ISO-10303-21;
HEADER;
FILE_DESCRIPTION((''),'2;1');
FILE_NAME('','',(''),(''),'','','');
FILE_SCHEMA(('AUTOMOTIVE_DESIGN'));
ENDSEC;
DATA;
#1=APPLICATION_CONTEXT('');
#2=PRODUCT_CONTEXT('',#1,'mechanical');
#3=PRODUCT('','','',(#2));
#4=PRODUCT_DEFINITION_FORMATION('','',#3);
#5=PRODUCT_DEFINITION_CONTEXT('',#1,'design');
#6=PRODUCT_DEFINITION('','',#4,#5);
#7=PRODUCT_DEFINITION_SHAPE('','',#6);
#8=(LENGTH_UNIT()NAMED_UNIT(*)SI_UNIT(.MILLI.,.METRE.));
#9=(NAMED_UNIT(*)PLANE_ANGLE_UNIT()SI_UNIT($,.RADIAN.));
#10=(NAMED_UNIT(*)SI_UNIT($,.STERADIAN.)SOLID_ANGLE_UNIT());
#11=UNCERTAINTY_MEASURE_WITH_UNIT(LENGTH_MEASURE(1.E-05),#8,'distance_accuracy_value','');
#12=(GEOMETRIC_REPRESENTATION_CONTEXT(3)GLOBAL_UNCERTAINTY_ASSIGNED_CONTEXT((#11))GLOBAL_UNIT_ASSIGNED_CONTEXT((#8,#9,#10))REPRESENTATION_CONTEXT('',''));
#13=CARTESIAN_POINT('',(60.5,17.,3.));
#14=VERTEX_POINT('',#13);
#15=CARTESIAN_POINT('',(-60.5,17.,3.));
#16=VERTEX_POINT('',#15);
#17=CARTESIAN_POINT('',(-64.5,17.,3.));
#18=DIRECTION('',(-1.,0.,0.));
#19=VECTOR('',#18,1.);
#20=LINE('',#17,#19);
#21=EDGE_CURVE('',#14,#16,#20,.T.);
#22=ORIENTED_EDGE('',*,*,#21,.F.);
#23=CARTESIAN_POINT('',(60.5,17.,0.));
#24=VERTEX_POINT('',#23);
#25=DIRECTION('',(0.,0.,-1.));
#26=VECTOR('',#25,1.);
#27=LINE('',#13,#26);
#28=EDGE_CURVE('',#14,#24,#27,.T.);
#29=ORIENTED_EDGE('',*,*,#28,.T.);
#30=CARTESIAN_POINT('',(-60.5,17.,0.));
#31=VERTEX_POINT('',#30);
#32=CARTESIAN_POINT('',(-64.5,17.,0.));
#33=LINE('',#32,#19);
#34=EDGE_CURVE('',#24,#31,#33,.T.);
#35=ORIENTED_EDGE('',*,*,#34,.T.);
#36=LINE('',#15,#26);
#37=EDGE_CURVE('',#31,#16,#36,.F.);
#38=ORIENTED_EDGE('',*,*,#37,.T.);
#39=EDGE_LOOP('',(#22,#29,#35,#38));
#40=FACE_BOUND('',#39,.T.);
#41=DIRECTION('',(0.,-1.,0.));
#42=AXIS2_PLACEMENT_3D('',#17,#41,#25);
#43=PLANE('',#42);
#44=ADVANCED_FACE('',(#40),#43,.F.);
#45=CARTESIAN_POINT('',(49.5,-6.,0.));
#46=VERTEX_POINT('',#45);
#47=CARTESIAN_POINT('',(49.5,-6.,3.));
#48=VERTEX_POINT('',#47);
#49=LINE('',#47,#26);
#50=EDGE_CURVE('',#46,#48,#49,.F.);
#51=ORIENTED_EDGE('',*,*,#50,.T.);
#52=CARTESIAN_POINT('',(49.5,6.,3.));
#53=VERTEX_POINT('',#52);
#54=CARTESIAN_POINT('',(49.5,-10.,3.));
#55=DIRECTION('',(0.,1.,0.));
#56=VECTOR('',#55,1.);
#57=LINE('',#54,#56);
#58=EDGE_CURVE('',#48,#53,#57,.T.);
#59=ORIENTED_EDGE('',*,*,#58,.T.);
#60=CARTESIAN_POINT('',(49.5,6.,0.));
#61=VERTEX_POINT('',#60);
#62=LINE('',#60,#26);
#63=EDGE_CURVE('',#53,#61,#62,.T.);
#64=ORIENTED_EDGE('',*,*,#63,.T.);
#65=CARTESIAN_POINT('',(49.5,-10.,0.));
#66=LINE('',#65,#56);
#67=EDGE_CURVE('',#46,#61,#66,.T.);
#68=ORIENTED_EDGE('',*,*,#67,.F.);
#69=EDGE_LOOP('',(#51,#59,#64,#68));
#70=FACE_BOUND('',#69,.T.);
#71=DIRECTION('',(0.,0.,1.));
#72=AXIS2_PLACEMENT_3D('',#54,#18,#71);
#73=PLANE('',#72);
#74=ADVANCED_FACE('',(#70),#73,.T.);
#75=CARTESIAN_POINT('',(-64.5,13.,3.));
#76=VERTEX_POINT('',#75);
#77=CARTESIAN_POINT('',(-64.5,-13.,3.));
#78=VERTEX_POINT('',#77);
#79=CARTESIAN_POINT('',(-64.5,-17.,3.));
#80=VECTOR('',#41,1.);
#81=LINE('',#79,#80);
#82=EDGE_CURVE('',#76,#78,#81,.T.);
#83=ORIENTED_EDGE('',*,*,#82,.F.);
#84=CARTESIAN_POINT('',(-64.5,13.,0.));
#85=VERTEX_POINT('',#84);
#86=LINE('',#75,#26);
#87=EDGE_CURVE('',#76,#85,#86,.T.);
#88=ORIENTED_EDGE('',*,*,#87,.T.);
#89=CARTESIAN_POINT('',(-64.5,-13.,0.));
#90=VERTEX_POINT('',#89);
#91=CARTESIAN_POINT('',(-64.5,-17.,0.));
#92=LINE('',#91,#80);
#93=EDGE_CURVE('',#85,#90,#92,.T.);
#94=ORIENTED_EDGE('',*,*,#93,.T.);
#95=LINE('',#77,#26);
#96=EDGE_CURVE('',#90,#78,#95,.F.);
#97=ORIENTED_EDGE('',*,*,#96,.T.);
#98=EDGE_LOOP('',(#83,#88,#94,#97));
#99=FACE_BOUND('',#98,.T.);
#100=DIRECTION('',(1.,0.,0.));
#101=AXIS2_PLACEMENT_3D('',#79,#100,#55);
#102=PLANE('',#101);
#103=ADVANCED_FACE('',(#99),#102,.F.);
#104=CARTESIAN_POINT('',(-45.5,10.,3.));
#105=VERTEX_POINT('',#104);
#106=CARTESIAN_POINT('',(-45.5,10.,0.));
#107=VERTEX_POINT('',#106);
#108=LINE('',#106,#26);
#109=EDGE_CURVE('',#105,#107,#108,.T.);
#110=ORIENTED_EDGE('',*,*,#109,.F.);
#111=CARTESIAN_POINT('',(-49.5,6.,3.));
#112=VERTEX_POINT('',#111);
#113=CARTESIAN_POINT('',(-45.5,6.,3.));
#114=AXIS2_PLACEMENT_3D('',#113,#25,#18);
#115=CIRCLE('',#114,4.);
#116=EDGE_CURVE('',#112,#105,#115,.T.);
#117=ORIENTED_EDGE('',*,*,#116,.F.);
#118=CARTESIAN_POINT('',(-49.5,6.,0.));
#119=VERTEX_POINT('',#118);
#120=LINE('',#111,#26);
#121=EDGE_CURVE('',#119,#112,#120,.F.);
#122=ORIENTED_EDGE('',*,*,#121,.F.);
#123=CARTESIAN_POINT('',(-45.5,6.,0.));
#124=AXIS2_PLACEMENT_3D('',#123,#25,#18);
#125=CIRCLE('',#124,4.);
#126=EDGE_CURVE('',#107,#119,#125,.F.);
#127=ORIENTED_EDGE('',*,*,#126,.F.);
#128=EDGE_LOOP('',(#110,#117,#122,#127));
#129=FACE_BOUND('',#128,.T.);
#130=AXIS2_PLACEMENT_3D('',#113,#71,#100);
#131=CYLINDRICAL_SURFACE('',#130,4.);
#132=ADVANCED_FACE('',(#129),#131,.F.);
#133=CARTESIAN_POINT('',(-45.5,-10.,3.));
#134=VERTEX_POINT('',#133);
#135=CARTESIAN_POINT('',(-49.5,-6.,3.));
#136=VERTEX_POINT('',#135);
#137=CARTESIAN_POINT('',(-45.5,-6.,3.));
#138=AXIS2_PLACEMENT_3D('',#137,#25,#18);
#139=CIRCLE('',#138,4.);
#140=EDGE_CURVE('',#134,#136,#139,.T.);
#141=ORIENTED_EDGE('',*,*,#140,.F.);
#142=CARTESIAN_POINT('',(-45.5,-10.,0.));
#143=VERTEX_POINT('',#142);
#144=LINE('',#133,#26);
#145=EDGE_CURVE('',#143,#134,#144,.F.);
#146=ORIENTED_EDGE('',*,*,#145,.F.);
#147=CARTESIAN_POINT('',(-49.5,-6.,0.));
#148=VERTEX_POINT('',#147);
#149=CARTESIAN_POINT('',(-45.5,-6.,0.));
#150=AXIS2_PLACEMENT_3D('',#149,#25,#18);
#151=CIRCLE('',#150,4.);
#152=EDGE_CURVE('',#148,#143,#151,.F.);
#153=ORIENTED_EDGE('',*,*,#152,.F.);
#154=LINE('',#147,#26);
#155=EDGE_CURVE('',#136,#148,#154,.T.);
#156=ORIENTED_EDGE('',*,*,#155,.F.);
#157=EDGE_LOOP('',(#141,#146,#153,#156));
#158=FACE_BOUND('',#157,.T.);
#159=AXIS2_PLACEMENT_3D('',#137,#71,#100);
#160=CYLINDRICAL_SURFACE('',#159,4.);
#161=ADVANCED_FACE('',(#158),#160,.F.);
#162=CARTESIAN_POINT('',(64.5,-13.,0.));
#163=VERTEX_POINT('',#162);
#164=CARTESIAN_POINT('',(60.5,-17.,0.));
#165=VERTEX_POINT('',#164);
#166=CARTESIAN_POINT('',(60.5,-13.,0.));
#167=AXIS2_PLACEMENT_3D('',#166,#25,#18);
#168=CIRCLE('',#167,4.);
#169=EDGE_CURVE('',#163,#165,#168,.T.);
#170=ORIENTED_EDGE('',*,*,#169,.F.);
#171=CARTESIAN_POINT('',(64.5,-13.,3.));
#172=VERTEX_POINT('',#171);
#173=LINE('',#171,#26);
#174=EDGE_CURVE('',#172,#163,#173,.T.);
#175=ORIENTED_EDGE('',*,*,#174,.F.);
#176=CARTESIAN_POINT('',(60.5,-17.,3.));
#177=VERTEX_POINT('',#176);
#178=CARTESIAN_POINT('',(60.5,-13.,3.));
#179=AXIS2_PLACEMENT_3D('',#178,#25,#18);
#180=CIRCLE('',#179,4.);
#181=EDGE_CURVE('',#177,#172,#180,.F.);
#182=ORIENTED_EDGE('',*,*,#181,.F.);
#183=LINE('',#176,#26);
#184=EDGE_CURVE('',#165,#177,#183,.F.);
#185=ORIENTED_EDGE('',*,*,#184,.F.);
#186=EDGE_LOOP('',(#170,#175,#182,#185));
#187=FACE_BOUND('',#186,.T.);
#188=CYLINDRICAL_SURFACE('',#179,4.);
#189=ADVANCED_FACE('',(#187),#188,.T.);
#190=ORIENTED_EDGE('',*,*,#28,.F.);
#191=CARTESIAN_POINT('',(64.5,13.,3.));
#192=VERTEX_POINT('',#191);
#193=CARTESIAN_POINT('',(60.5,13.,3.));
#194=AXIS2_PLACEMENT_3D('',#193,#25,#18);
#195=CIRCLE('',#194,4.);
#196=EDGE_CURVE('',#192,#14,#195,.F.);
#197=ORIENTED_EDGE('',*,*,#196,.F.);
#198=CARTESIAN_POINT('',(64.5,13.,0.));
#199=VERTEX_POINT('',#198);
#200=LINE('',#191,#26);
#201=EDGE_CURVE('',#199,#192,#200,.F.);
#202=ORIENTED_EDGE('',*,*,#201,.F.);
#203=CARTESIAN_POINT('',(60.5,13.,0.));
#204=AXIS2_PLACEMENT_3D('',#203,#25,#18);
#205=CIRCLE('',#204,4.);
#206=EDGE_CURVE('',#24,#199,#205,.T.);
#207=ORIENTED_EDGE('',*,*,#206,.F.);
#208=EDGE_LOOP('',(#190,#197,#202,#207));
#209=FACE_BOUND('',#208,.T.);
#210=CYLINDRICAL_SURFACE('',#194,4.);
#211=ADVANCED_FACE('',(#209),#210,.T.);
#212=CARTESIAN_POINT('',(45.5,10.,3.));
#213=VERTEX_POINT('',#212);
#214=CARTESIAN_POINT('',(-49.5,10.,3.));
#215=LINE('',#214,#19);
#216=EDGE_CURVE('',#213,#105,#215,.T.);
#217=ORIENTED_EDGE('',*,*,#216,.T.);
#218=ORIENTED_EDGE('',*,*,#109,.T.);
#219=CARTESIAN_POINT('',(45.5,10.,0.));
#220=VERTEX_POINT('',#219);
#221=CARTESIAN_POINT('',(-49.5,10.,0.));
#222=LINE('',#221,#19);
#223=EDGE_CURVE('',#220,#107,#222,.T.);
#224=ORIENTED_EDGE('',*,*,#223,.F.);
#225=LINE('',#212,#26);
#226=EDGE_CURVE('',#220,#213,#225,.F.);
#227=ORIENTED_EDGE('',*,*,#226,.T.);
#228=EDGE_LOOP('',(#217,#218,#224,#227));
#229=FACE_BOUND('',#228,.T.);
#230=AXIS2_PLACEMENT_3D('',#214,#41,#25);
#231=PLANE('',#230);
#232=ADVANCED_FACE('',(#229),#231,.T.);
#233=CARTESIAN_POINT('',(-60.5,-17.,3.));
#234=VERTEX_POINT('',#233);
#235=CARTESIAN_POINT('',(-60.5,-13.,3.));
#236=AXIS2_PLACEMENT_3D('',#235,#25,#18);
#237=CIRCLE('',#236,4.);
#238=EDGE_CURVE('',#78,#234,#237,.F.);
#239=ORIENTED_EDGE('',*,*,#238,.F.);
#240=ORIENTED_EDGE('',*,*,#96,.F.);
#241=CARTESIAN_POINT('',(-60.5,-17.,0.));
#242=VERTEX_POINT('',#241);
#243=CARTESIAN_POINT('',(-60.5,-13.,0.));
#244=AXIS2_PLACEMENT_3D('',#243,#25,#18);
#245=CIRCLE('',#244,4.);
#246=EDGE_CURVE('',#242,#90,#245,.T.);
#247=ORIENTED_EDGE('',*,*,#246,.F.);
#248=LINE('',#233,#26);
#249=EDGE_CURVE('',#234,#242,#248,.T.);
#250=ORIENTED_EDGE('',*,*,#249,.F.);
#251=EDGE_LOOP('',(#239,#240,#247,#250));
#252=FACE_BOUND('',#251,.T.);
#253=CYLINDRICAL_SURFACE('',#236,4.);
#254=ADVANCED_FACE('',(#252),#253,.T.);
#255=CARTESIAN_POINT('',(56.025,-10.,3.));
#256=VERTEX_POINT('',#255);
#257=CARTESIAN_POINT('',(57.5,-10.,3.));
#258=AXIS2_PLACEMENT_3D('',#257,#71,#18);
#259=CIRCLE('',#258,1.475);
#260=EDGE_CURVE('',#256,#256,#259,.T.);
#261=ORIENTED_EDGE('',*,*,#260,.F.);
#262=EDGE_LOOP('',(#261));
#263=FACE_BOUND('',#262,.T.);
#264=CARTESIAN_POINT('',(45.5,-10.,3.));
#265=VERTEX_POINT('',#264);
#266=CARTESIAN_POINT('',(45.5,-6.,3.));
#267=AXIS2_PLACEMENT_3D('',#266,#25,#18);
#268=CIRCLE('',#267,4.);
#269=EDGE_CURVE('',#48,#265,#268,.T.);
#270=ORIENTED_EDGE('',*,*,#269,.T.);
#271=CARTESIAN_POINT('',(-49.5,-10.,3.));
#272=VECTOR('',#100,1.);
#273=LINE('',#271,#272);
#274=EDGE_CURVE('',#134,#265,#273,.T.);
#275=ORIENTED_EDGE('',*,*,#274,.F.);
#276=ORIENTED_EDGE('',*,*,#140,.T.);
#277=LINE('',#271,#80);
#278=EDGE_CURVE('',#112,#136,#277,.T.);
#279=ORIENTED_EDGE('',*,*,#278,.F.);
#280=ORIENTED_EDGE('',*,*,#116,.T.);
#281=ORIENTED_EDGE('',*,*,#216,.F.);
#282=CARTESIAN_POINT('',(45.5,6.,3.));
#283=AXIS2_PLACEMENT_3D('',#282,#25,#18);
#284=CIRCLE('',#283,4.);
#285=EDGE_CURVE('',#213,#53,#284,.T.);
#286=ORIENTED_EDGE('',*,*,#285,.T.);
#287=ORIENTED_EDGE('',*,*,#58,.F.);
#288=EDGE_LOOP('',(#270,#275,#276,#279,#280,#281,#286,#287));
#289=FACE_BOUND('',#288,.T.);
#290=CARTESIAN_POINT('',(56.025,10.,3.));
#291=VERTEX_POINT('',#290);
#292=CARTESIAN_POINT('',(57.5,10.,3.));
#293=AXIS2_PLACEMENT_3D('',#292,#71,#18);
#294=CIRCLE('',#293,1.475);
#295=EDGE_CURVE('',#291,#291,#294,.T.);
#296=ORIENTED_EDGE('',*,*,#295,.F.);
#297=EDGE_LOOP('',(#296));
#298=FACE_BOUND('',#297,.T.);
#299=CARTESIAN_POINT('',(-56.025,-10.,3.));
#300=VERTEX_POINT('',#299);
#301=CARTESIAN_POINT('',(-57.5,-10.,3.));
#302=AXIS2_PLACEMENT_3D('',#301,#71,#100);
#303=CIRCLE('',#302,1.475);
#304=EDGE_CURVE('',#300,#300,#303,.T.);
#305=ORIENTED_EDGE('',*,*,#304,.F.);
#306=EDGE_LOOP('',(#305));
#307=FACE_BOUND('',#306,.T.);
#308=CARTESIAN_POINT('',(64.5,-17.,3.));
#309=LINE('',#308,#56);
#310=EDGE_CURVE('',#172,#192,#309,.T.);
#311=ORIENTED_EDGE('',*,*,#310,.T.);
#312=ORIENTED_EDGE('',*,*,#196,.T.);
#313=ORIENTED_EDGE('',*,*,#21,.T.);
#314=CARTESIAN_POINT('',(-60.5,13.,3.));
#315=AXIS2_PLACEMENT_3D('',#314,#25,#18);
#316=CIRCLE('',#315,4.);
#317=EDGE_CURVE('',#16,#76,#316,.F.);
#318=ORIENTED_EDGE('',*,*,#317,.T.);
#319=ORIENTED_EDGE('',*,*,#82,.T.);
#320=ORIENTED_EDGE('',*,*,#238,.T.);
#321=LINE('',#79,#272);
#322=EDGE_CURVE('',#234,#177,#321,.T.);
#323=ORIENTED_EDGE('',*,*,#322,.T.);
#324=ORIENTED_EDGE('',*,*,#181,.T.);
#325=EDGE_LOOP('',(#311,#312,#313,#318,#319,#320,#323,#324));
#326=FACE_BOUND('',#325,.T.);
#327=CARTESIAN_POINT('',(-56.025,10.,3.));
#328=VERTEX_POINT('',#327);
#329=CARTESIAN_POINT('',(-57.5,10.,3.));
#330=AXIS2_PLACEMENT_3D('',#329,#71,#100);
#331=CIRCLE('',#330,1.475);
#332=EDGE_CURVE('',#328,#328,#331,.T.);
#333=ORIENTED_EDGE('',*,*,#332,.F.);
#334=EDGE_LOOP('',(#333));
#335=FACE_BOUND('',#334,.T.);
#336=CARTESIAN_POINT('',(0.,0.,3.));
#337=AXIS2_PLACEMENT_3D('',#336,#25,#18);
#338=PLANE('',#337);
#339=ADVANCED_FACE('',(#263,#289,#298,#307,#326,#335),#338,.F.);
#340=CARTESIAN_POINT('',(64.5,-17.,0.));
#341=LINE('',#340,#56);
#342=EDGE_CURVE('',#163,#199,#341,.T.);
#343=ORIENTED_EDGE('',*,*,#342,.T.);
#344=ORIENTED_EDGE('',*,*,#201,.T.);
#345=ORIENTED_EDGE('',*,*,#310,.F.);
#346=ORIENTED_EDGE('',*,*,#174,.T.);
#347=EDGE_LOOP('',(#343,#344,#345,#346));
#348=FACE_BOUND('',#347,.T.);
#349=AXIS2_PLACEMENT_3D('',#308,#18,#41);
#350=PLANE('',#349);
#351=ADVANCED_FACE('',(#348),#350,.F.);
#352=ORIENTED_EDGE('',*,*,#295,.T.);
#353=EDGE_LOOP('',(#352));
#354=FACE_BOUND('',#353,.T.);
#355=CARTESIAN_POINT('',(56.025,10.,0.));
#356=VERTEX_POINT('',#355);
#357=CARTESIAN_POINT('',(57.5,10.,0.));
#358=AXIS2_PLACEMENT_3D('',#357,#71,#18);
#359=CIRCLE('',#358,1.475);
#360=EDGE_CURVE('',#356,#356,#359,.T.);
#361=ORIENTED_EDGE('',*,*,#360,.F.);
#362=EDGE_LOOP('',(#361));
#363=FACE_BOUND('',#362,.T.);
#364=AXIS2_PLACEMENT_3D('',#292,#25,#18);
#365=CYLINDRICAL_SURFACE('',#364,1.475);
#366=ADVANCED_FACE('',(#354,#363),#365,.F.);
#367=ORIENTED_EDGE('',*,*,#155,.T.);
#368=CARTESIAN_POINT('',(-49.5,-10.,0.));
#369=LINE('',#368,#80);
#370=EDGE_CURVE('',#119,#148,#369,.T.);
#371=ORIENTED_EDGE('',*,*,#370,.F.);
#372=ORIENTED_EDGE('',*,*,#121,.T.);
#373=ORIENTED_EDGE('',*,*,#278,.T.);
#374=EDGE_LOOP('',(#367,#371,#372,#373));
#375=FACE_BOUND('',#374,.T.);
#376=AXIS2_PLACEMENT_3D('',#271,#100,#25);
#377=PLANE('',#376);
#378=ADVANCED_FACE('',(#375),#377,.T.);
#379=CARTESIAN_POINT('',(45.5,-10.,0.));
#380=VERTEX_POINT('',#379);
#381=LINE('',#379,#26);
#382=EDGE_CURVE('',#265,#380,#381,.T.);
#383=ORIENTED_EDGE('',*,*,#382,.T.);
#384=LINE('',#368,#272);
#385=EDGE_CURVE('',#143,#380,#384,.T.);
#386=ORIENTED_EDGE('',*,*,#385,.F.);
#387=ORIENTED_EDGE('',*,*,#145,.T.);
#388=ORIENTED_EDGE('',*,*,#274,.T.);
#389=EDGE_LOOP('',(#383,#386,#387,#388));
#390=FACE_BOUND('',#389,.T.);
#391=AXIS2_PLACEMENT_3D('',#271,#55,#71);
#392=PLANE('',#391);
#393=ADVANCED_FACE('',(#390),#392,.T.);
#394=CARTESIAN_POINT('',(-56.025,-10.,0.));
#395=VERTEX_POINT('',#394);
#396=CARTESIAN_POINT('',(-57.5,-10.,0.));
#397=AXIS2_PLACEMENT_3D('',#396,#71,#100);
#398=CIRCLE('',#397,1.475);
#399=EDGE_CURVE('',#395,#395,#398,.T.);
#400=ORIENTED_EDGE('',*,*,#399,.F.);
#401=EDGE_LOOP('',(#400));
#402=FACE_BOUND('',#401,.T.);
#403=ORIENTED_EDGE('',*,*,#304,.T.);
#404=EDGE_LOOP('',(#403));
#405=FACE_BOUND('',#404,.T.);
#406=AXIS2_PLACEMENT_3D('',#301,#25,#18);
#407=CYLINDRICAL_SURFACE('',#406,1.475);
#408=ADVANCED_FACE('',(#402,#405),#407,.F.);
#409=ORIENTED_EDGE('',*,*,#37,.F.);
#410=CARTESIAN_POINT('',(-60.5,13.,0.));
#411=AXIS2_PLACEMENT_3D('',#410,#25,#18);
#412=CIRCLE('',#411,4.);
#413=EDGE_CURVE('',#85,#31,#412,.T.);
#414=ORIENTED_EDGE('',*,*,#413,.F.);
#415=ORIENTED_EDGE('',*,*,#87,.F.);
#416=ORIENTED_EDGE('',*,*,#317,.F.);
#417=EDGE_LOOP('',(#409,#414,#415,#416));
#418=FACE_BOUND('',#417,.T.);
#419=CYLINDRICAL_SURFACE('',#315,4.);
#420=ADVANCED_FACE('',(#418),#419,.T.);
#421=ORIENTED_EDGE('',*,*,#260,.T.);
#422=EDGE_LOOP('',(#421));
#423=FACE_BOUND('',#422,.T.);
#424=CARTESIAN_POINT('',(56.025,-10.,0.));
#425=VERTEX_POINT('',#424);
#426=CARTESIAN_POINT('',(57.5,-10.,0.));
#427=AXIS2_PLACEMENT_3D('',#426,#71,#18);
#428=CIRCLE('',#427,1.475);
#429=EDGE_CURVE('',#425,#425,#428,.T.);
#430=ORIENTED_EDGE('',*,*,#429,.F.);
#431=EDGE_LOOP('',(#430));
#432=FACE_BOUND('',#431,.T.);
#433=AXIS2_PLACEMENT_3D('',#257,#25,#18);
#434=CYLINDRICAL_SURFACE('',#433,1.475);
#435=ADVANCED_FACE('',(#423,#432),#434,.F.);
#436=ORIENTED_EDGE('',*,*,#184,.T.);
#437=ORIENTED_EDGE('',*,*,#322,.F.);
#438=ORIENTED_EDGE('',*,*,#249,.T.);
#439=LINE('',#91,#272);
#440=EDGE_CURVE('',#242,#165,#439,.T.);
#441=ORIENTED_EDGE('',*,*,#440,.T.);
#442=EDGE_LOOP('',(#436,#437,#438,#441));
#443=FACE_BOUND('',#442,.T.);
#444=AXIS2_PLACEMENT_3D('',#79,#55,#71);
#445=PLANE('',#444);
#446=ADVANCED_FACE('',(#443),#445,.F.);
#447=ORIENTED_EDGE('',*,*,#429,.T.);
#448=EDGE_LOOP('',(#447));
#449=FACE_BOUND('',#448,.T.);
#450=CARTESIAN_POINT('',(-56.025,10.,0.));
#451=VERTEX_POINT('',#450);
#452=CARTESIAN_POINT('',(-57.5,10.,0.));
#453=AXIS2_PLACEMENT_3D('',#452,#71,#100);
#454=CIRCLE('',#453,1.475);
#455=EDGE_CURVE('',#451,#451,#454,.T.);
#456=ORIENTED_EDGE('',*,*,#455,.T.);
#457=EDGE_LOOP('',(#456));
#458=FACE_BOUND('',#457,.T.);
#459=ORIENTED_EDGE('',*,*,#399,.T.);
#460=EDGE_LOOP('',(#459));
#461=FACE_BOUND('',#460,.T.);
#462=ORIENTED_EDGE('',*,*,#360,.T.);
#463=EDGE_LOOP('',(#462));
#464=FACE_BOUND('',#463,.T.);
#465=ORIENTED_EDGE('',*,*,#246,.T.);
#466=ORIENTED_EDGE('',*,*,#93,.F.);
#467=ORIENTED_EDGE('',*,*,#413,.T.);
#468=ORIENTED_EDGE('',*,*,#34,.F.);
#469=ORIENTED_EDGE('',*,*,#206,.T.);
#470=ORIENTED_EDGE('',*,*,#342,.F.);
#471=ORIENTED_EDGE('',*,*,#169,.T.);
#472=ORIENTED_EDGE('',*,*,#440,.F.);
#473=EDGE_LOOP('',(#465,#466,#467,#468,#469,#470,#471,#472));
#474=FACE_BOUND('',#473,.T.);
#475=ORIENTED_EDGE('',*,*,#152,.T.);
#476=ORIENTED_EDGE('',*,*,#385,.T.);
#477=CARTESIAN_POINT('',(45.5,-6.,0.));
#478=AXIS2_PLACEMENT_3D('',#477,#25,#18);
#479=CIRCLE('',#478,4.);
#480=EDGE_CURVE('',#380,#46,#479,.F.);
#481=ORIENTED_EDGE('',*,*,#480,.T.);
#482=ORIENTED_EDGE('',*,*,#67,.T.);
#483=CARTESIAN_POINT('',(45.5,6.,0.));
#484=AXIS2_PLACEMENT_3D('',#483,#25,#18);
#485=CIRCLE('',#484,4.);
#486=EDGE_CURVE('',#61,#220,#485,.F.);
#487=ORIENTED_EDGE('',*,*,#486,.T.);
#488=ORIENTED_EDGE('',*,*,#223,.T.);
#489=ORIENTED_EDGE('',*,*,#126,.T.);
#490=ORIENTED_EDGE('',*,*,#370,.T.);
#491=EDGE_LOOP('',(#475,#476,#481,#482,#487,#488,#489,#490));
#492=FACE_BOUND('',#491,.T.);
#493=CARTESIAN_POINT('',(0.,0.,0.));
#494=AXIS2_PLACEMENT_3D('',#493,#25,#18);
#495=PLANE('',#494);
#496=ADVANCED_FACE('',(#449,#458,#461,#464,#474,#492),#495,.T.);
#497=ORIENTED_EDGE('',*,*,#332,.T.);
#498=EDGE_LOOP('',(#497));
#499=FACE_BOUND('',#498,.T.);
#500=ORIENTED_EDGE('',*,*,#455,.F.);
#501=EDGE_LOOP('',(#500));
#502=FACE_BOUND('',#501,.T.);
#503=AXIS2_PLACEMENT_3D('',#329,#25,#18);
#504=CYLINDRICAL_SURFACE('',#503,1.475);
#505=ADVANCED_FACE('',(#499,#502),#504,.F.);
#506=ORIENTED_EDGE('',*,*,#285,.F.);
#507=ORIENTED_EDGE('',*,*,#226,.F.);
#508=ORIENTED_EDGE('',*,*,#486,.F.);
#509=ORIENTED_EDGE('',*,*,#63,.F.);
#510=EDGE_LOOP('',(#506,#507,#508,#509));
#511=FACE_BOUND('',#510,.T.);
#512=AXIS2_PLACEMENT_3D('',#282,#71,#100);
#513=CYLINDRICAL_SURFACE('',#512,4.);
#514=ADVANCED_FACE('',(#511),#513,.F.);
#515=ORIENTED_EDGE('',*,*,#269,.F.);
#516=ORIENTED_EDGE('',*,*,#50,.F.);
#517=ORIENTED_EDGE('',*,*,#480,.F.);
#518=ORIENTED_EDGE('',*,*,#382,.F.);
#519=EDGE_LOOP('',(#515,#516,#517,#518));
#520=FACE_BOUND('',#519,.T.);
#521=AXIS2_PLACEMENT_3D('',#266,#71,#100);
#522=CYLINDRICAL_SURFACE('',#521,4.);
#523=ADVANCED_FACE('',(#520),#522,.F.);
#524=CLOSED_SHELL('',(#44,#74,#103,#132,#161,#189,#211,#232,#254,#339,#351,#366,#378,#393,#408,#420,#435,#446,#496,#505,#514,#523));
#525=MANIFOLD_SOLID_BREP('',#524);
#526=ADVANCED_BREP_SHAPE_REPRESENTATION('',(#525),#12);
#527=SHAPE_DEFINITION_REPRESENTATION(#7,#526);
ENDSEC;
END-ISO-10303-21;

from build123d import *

# Parameters (mm, degrees)
SKETCH_1_W      = 129
SKETCH_1_H      = 34
SKETCH_1_R      = 1.475
SKETCH_1_W_2    = 99
SKETCH_1_H_2    = 20
EXTRUDE_1_DEPTH = 3
FILLET_1_R      = 4


with BuildPart() as part:
    # 草图1 → 凸台-拉伸1 (new body)
    with BuildSketch(Plane.XY):
        Rectangle(SKETCH_1_W, SKETCH_1_H)
        with Locations((-57.5, 10)):
            Circle(SKETCH_1_R, mode=Mode.SUBTRACT)
        with Locations((-57.5, -10)):
            Circle(SKETCH_1_R, mode=Mode.SUBTRACT)
        with Locations(Location((57.5, -10, 0), (0, 0, 180))):
            Circle(SKETCH_1_R, mode=Mode.SUBTRACT)
        with Locations(Location((57.5, 10, 0), (0, 0, 180))):
            Circle(SKETCH_1_R, mode=Mode.SUBTRACT)
        Rectangle(SKETCH_1_W_2, SKETCH_1_H_2, mode=Mode.SUBTRACT)
    extrude(amount=EXTRUDE_1_DEPTH)

    # 圆角1
    fillet_1_edges = [part.edges().sort_by_distance(p)[0] for p in [
        (49.5, -10, 1.5),
        (49.5, 10, 1.5),
        (-49.5, 10, 1.5),
        (-49.5, -10, 1.5),
        (64.5, -17, 1.5),
        (-64.5, -17, 1.5),
        (-64.5, 17, 1.5),
        (64.5, 17, 1.5),
    ]]
    fillet(fillet_1_edges, radius=FILLET_1_R)


solid = part.part
